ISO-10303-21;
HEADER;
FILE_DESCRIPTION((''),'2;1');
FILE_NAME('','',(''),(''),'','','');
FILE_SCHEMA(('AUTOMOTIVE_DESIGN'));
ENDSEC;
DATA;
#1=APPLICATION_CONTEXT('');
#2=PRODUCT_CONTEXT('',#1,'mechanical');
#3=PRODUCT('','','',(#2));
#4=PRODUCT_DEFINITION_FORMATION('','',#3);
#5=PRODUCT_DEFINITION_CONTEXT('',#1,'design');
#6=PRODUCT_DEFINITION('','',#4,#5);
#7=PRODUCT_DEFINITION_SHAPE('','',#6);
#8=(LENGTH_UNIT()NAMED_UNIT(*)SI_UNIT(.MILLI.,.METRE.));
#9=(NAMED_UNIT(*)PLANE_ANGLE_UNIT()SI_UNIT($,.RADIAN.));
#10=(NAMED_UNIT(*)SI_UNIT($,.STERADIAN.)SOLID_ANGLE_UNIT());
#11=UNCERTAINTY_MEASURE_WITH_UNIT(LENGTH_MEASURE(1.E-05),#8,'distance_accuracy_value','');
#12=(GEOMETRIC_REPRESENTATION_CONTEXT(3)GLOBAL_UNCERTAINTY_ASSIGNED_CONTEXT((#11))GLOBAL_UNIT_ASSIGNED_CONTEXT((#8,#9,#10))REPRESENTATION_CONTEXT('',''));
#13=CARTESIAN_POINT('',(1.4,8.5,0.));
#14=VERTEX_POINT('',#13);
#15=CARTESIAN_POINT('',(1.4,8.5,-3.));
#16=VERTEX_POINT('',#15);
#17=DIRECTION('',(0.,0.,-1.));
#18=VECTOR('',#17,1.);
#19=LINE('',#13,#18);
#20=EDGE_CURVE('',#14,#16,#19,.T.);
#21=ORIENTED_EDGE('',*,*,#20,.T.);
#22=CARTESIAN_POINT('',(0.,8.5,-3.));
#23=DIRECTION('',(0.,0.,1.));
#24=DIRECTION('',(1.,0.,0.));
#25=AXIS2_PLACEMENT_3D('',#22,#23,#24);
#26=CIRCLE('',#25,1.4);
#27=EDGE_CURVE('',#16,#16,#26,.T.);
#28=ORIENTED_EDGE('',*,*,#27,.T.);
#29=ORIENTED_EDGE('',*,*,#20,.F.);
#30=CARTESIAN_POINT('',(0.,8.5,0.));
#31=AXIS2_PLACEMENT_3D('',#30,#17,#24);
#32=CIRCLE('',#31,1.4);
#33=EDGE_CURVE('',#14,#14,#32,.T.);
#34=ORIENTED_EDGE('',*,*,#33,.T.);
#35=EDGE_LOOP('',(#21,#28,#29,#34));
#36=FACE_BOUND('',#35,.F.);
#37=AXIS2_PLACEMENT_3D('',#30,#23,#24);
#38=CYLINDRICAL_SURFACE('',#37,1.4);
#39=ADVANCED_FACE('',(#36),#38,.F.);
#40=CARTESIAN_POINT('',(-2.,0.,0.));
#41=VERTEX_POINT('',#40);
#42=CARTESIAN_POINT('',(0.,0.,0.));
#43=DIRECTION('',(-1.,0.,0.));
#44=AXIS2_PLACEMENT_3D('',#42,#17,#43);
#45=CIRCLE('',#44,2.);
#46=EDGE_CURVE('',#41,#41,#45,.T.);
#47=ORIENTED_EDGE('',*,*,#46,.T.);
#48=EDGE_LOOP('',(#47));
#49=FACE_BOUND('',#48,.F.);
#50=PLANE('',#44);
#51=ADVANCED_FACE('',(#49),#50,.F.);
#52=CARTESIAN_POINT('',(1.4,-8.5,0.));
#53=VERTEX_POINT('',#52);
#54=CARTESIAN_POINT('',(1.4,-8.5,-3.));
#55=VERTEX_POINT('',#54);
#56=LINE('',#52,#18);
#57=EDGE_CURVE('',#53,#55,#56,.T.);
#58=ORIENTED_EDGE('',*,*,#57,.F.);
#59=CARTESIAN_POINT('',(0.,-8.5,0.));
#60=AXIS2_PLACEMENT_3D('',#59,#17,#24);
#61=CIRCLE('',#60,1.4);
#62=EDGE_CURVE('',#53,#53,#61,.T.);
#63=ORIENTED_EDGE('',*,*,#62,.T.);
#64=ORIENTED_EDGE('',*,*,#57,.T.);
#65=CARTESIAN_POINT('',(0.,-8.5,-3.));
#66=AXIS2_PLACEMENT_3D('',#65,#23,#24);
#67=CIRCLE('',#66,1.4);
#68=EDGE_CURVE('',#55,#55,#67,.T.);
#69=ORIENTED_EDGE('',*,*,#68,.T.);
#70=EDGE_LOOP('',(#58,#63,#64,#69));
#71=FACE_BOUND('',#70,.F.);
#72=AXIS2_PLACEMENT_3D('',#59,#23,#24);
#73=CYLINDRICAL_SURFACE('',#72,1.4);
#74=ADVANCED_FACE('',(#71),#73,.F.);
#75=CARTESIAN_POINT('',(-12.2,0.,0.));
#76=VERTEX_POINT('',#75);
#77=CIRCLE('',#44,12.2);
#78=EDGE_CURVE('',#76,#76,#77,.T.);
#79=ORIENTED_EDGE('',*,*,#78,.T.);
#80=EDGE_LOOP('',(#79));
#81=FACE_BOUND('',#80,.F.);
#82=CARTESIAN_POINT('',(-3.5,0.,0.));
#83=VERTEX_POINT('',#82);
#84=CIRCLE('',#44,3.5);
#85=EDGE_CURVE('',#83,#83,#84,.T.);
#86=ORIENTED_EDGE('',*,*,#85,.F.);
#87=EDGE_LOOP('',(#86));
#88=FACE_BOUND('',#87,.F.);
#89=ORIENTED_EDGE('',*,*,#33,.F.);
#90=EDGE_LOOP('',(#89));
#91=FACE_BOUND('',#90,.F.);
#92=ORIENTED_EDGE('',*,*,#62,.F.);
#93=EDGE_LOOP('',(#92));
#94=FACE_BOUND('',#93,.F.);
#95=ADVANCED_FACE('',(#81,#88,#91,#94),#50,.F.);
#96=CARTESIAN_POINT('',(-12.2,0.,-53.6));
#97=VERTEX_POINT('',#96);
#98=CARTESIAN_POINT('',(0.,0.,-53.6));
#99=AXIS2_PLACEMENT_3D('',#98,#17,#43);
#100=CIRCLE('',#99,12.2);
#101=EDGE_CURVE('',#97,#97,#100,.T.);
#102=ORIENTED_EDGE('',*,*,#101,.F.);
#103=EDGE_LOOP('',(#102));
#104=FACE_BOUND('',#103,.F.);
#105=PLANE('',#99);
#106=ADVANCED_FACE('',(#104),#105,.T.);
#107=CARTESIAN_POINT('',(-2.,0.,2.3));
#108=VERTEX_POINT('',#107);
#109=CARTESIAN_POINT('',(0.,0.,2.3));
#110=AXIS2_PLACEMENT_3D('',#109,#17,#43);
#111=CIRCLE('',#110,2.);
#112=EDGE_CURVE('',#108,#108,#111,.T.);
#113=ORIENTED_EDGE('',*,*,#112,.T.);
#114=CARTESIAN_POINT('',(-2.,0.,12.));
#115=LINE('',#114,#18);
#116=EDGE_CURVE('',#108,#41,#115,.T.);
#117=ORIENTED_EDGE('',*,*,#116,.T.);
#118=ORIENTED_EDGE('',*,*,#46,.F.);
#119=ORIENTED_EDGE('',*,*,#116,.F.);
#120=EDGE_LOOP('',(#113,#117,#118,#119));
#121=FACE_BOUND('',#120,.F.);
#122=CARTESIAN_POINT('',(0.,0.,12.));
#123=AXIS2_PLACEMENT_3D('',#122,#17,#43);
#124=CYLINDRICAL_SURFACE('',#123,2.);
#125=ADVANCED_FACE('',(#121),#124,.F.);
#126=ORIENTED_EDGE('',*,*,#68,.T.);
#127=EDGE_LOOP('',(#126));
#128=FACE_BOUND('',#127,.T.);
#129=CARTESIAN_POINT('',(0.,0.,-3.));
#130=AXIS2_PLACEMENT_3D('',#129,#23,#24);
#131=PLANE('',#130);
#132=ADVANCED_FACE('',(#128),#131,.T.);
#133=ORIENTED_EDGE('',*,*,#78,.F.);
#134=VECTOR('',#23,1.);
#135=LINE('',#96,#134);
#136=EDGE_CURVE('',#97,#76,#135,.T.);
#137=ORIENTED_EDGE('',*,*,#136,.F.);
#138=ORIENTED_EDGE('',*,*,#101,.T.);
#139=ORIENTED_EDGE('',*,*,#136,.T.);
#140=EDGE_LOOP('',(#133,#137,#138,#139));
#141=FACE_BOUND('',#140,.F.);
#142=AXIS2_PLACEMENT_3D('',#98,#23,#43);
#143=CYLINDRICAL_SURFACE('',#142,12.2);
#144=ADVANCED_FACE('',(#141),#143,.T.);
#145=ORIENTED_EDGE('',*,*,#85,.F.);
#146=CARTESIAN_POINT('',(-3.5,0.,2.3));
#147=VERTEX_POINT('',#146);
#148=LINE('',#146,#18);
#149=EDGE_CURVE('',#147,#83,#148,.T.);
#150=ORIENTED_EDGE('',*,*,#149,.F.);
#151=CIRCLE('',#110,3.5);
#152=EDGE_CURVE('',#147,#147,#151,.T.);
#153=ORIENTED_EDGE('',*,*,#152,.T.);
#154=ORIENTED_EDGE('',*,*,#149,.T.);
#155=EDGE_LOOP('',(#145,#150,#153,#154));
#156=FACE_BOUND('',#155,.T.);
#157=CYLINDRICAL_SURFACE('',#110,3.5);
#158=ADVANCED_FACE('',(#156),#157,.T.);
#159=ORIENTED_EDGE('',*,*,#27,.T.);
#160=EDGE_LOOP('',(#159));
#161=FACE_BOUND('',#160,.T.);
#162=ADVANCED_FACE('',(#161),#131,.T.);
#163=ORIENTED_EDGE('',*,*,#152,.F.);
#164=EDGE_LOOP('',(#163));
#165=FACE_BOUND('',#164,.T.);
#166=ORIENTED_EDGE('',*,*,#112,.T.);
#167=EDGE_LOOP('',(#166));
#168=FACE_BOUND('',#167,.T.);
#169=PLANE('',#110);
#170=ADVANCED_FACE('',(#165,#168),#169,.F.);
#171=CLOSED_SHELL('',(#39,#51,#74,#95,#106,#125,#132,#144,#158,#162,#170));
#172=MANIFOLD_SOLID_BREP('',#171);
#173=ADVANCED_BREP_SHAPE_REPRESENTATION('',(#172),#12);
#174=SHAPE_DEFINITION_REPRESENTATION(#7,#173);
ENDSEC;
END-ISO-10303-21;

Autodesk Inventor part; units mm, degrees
ref_plane "YZ Plane" through (0, 0, 0) normal (1, 0, 0) x (0, 1, 0)
ref_plane "XZ Plane" through (0, 0, 0) normal (0, 1, 0) x (-1, 0, 0)
ref_plane "XY Plane" through (0, 0, 0) normal (0, 0, 1) x (1, 0, 0)
sketch "草圖1" plane through (0, 0, 0) normal (0, 1, 0) x (-1, 0, 0)
  line L0 (12.2, 0) -> (-12.2, 0)
  line L1 (-12.2, 0) -> (-12.2, -53.6)
  line L2 (-12.2, -53.6) -> (12.2, -53.6)
  line L3 (12.2, -53.6) -> (12.2, 0)
  line L4 (2, 0) -> (-2, 0)
  line L5 (-2, 0) -> (-2, 12)
  line L6 (-2, 12) -> (2, 12)
  line L7 (2, 12) -> (2, 0)
  line L8 (3.5, 0) -> (-3.5, 0)
  line L9 (-3.5, 0) -> (-3.5, 2.3)
  line L10 (-3.5, 2.3) -> (3.5, 2.3)
  line L11 (3.5, 2.3) -> (3.5, 0)
  line L12 (2, 4) -> (-2, 4)
  line L13 (8.5, 0) -> (8.5, -53.6)
  line L14 (-8.5, 0) -> (-8.5, -53.6)
  line L15 (0, 0) -> (0, -53.6)
  line L16 (0, 0) -> (0, 12)
  point P0 (-8.5, -26.8)
  point P1 (0, 2.3)
  point P2 (2, 2.3)
  dimension "d1" = 8
  dimension "d2" = 9.7
  dimension "d4" = 17
  dimension "d5" = 24.4
  dimension "d6" = 53.6
  dimension "d7" = 3.7
  dimension "d8" = 4
  dimension "d9" = 7
  dimension "d10" = 2.3
revolve "迴轉1" add sketch "草圖1" angle 360 about axis through (0, 0, 0) along (0, 0, -1) contours L3 L2 L13 L0 | L13 L2 L15 L0 | L0 L7 L10 L11
sketch "草圖4" plane through (0, 0, 0) normal (0, 0, 1) x (1, 0, 0)
  circle A0 centre (0, 0) radius 8.5
  circle A1 centre (0, 8.5) radius 1.4
  circle A2 centre (0, -8.5) radius 1.4
  dimension "d21" = 17
  dimension "d22" = 2.8
  dimension "d23" = 2.8
extrude "擠出3" cut sketch "草圖4" against normal blind 3 contours A1 A0 | A0 A1 | A2 A0 | A0 A2
properties part number "馬達"
